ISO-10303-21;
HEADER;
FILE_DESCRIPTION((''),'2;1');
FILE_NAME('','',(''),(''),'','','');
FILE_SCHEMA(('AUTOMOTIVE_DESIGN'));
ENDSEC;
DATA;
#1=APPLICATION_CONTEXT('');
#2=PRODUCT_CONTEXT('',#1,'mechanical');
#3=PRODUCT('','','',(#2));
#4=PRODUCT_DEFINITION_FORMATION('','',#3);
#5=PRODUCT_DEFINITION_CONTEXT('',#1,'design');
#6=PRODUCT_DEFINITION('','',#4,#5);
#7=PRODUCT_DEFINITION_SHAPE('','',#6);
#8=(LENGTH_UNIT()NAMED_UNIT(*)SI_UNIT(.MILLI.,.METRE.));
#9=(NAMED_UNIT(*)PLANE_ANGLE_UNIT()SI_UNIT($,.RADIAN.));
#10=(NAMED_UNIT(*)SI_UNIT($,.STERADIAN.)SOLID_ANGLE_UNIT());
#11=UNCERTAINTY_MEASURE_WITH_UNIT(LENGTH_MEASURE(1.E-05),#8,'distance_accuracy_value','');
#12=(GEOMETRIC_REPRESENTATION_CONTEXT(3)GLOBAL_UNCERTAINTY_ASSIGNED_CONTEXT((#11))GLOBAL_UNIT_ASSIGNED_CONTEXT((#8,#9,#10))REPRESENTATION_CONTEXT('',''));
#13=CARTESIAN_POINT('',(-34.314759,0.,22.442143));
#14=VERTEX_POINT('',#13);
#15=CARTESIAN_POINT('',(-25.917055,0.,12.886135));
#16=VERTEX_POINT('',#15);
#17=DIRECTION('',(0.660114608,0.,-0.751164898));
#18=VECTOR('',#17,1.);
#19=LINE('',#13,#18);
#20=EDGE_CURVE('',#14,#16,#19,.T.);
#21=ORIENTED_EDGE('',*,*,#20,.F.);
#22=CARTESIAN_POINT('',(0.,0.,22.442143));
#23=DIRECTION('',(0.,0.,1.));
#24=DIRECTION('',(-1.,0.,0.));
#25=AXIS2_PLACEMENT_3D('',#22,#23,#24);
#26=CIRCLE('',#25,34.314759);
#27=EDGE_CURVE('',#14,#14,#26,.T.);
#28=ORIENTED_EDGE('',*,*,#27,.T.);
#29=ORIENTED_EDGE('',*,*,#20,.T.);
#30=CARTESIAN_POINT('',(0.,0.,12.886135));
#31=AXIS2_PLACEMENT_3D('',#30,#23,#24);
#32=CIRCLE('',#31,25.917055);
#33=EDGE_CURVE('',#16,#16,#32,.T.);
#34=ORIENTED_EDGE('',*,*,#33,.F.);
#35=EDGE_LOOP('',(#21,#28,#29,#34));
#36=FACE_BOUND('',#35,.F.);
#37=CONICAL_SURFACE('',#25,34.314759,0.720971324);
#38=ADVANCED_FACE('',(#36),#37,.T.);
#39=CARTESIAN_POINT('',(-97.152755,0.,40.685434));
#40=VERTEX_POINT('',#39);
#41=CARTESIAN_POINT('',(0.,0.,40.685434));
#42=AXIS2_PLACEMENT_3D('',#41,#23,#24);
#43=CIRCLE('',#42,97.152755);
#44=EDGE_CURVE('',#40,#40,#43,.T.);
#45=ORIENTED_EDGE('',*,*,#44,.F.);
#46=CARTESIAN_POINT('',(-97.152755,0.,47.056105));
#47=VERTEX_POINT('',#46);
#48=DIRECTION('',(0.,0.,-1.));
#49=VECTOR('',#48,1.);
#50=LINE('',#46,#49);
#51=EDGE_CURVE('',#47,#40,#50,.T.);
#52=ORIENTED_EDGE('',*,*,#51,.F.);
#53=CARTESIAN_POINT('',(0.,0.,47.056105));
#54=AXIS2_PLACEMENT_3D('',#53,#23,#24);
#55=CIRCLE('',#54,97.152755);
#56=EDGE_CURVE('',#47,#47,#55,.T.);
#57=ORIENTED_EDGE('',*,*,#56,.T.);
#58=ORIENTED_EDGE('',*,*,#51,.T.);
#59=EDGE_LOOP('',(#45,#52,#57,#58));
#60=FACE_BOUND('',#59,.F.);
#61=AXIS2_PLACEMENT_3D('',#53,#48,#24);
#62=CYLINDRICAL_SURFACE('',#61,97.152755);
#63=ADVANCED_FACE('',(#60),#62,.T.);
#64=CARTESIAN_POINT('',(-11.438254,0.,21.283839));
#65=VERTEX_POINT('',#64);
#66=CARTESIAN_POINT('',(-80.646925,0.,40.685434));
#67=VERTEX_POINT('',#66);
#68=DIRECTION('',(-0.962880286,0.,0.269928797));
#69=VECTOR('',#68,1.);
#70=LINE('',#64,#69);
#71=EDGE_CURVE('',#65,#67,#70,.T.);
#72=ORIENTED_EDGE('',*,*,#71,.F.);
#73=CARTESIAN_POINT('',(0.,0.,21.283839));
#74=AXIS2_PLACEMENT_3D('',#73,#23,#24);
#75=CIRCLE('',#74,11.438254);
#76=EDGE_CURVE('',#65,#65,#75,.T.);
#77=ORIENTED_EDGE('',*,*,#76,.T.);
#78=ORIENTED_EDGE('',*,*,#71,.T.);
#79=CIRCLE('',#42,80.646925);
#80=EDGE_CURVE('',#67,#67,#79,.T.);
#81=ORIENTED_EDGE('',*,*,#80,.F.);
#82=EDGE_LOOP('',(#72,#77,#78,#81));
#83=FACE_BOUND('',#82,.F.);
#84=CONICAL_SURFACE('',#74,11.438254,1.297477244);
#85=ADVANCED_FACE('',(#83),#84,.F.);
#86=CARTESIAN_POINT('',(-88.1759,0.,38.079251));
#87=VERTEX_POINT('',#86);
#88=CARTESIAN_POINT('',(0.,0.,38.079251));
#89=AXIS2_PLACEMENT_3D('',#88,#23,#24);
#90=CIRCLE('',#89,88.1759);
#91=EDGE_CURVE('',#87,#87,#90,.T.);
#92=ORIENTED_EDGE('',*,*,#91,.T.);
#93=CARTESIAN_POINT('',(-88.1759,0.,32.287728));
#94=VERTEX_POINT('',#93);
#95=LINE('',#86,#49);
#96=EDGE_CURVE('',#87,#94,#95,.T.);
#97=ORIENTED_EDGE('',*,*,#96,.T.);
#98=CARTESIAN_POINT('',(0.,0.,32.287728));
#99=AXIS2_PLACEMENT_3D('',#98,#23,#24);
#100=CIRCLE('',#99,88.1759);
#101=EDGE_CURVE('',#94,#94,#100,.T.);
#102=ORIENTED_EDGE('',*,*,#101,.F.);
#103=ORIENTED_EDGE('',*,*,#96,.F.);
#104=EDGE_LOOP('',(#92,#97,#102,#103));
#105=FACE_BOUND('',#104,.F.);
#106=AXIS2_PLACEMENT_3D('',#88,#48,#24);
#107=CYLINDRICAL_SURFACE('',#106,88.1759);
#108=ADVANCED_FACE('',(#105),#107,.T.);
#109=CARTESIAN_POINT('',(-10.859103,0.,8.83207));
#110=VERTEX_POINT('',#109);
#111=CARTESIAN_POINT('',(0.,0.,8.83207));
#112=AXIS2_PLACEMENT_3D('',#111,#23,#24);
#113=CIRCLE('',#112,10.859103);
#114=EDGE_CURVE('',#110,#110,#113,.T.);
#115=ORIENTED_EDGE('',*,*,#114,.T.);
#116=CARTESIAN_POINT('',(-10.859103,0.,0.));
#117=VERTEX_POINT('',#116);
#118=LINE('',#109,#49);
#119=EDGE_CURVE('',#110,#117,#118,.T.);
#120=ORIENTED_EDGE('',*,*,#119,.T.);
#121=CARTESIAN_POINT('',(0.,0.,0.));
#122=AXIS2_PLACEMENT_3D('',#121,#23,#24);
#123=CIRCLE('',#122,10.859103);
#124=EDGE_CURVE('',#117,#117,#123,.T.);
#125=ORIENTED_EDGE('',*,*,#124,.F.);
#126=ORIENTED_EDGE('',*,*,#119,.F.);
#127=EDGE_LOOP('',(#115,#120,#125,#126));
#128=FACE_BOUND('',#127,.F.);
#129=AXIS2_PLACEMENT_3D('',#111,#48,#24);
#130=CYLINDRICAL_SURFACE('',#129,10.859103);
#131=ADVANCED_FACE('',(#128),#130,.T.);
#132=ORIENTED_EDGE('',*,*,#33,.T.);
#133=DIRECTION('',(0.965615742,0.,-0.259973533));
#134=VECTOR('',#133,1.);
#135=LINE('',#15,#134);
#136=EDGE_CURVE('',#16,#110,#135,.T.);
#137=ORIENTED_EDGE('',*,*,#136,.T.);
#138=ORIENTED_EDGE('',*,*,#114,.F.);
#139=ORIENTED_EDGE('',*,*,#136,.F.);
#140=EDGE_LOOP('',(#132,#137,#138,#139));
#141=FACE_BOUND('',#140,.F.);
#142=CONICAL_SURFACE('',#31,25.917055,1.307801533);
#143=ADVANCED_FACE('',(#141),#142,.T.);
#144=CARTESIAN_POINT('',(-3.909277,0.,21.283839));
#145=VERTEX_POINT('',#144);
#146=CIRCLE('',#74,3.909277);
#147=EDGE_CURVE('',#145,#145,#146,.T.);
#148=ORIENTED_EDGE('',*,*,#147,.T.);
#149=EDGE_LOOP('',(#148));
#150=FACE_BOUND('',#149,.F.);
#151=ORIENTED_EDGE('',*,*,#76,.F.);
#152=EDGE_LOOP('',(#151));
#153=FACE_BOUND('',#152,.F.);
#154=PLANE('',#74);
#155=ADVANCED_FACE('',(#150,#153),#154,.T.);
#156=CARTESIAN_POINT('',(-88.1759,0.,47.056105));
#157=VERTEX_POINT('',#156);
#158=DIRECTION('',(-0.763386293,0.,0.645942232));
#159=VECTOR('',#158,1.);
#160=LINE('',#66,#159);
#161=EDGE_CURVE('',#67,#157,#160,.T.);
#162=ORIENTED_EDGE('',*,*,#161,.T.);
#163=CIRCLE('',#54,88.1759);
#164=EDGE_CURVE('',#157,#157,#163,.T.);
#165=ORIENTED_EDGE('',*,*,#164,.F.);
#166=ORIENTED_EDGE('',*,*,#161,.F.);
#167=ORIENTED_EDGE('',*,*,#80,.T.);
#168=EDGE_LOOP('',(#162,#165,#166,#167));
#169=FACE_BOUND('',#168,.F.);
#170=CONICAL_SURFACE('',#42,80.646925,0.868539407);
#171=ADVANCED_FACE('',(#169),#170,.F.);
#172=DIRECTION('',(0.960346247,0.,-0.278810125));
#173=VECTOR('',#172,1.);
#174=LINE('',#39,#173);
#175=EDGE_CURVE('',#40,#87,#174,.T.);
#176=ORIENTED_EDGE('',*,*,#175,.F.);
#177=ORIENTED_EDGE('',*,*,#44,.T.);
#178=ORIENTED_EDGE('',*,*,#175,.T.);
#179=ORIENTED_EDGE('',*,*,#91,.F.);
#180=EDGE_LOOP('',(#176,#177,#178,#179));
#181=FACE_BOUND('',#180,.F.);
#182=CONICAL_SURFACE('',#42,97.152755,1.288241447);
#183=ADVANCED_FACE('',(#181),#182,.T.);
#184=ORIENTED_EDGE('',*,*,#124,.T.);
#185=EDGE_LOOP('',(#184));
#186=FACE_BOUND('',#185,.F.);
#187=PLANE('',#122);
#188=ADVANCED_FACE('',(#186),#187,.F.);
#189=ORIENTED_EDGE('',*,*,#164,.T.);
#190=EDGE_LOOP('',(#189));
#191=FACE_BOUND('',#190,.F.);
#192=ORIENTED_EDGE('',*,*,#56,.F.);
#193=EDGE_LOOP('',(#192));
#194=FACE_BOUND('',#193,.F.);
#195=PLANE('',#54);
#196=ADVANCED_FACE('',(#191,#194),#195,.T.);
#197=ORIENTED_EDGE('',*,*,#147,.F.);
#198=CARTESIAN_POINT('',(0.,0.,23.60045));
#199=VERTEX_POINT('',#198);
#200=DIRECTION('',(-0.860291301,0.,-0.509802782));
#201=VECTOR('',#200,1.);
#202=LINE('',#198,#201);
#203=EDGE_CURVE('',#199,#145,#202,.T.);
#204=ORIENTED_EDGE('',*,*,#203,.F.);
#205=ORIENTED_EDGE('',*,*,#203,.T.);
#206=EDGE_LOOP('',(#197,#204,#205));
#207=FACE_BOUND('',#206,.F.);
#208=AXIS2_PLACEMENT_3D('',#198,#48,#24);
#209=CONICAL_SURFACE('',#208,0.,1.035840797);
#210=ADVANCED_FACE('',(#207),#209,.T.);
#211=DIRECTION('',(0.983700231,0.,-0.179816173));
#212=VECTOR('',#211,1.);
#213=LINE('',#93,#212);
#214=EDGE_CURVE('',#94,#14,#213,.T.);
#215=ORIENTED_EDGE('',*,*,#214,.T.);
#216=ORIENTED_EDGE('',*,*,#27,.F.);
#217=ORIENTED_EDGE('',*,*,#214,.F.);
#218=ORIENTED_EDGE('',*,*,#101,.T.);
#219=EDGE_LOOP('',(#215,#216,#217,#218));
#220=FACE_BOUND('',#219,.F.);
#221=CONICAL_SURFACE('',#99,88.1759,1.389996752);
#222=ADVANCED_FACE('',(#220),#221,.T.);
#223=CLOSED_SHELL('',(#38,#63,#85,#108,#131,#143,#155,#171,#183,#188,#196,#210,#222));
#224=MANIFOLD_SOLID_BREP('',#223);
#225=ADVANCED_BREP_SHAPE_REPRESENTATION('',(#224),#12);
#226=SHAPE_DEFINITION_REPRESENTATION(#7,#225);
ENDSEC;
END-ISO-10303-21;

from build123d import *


with BuildPart() as f1:
    # F0 (on Front) → F1 (revolve)
    with BuildSketch(Plane.XZ):
        Polygon((-10.859103, 0), (0, 0), (0, 23.60045), (-3.909277, 21.283839), (-11.438254, 21.283839), (-80.646925, 40.685434), (-88.1759, 47.056105), (-97.152755, 47.056105), (-97.152755, 44.7395), (-97.152755, 40.685434), (-88.1759, 38.079251), (-88.1759, 32.287728), (-34.314759, 22.442143), (-25.917055, 12.886135), (-10.859103, 8.83207), align=None)
    revolve(axis=Axis((0, 0, 18.532872), (0, 0, 1)))


solid = f1.part
